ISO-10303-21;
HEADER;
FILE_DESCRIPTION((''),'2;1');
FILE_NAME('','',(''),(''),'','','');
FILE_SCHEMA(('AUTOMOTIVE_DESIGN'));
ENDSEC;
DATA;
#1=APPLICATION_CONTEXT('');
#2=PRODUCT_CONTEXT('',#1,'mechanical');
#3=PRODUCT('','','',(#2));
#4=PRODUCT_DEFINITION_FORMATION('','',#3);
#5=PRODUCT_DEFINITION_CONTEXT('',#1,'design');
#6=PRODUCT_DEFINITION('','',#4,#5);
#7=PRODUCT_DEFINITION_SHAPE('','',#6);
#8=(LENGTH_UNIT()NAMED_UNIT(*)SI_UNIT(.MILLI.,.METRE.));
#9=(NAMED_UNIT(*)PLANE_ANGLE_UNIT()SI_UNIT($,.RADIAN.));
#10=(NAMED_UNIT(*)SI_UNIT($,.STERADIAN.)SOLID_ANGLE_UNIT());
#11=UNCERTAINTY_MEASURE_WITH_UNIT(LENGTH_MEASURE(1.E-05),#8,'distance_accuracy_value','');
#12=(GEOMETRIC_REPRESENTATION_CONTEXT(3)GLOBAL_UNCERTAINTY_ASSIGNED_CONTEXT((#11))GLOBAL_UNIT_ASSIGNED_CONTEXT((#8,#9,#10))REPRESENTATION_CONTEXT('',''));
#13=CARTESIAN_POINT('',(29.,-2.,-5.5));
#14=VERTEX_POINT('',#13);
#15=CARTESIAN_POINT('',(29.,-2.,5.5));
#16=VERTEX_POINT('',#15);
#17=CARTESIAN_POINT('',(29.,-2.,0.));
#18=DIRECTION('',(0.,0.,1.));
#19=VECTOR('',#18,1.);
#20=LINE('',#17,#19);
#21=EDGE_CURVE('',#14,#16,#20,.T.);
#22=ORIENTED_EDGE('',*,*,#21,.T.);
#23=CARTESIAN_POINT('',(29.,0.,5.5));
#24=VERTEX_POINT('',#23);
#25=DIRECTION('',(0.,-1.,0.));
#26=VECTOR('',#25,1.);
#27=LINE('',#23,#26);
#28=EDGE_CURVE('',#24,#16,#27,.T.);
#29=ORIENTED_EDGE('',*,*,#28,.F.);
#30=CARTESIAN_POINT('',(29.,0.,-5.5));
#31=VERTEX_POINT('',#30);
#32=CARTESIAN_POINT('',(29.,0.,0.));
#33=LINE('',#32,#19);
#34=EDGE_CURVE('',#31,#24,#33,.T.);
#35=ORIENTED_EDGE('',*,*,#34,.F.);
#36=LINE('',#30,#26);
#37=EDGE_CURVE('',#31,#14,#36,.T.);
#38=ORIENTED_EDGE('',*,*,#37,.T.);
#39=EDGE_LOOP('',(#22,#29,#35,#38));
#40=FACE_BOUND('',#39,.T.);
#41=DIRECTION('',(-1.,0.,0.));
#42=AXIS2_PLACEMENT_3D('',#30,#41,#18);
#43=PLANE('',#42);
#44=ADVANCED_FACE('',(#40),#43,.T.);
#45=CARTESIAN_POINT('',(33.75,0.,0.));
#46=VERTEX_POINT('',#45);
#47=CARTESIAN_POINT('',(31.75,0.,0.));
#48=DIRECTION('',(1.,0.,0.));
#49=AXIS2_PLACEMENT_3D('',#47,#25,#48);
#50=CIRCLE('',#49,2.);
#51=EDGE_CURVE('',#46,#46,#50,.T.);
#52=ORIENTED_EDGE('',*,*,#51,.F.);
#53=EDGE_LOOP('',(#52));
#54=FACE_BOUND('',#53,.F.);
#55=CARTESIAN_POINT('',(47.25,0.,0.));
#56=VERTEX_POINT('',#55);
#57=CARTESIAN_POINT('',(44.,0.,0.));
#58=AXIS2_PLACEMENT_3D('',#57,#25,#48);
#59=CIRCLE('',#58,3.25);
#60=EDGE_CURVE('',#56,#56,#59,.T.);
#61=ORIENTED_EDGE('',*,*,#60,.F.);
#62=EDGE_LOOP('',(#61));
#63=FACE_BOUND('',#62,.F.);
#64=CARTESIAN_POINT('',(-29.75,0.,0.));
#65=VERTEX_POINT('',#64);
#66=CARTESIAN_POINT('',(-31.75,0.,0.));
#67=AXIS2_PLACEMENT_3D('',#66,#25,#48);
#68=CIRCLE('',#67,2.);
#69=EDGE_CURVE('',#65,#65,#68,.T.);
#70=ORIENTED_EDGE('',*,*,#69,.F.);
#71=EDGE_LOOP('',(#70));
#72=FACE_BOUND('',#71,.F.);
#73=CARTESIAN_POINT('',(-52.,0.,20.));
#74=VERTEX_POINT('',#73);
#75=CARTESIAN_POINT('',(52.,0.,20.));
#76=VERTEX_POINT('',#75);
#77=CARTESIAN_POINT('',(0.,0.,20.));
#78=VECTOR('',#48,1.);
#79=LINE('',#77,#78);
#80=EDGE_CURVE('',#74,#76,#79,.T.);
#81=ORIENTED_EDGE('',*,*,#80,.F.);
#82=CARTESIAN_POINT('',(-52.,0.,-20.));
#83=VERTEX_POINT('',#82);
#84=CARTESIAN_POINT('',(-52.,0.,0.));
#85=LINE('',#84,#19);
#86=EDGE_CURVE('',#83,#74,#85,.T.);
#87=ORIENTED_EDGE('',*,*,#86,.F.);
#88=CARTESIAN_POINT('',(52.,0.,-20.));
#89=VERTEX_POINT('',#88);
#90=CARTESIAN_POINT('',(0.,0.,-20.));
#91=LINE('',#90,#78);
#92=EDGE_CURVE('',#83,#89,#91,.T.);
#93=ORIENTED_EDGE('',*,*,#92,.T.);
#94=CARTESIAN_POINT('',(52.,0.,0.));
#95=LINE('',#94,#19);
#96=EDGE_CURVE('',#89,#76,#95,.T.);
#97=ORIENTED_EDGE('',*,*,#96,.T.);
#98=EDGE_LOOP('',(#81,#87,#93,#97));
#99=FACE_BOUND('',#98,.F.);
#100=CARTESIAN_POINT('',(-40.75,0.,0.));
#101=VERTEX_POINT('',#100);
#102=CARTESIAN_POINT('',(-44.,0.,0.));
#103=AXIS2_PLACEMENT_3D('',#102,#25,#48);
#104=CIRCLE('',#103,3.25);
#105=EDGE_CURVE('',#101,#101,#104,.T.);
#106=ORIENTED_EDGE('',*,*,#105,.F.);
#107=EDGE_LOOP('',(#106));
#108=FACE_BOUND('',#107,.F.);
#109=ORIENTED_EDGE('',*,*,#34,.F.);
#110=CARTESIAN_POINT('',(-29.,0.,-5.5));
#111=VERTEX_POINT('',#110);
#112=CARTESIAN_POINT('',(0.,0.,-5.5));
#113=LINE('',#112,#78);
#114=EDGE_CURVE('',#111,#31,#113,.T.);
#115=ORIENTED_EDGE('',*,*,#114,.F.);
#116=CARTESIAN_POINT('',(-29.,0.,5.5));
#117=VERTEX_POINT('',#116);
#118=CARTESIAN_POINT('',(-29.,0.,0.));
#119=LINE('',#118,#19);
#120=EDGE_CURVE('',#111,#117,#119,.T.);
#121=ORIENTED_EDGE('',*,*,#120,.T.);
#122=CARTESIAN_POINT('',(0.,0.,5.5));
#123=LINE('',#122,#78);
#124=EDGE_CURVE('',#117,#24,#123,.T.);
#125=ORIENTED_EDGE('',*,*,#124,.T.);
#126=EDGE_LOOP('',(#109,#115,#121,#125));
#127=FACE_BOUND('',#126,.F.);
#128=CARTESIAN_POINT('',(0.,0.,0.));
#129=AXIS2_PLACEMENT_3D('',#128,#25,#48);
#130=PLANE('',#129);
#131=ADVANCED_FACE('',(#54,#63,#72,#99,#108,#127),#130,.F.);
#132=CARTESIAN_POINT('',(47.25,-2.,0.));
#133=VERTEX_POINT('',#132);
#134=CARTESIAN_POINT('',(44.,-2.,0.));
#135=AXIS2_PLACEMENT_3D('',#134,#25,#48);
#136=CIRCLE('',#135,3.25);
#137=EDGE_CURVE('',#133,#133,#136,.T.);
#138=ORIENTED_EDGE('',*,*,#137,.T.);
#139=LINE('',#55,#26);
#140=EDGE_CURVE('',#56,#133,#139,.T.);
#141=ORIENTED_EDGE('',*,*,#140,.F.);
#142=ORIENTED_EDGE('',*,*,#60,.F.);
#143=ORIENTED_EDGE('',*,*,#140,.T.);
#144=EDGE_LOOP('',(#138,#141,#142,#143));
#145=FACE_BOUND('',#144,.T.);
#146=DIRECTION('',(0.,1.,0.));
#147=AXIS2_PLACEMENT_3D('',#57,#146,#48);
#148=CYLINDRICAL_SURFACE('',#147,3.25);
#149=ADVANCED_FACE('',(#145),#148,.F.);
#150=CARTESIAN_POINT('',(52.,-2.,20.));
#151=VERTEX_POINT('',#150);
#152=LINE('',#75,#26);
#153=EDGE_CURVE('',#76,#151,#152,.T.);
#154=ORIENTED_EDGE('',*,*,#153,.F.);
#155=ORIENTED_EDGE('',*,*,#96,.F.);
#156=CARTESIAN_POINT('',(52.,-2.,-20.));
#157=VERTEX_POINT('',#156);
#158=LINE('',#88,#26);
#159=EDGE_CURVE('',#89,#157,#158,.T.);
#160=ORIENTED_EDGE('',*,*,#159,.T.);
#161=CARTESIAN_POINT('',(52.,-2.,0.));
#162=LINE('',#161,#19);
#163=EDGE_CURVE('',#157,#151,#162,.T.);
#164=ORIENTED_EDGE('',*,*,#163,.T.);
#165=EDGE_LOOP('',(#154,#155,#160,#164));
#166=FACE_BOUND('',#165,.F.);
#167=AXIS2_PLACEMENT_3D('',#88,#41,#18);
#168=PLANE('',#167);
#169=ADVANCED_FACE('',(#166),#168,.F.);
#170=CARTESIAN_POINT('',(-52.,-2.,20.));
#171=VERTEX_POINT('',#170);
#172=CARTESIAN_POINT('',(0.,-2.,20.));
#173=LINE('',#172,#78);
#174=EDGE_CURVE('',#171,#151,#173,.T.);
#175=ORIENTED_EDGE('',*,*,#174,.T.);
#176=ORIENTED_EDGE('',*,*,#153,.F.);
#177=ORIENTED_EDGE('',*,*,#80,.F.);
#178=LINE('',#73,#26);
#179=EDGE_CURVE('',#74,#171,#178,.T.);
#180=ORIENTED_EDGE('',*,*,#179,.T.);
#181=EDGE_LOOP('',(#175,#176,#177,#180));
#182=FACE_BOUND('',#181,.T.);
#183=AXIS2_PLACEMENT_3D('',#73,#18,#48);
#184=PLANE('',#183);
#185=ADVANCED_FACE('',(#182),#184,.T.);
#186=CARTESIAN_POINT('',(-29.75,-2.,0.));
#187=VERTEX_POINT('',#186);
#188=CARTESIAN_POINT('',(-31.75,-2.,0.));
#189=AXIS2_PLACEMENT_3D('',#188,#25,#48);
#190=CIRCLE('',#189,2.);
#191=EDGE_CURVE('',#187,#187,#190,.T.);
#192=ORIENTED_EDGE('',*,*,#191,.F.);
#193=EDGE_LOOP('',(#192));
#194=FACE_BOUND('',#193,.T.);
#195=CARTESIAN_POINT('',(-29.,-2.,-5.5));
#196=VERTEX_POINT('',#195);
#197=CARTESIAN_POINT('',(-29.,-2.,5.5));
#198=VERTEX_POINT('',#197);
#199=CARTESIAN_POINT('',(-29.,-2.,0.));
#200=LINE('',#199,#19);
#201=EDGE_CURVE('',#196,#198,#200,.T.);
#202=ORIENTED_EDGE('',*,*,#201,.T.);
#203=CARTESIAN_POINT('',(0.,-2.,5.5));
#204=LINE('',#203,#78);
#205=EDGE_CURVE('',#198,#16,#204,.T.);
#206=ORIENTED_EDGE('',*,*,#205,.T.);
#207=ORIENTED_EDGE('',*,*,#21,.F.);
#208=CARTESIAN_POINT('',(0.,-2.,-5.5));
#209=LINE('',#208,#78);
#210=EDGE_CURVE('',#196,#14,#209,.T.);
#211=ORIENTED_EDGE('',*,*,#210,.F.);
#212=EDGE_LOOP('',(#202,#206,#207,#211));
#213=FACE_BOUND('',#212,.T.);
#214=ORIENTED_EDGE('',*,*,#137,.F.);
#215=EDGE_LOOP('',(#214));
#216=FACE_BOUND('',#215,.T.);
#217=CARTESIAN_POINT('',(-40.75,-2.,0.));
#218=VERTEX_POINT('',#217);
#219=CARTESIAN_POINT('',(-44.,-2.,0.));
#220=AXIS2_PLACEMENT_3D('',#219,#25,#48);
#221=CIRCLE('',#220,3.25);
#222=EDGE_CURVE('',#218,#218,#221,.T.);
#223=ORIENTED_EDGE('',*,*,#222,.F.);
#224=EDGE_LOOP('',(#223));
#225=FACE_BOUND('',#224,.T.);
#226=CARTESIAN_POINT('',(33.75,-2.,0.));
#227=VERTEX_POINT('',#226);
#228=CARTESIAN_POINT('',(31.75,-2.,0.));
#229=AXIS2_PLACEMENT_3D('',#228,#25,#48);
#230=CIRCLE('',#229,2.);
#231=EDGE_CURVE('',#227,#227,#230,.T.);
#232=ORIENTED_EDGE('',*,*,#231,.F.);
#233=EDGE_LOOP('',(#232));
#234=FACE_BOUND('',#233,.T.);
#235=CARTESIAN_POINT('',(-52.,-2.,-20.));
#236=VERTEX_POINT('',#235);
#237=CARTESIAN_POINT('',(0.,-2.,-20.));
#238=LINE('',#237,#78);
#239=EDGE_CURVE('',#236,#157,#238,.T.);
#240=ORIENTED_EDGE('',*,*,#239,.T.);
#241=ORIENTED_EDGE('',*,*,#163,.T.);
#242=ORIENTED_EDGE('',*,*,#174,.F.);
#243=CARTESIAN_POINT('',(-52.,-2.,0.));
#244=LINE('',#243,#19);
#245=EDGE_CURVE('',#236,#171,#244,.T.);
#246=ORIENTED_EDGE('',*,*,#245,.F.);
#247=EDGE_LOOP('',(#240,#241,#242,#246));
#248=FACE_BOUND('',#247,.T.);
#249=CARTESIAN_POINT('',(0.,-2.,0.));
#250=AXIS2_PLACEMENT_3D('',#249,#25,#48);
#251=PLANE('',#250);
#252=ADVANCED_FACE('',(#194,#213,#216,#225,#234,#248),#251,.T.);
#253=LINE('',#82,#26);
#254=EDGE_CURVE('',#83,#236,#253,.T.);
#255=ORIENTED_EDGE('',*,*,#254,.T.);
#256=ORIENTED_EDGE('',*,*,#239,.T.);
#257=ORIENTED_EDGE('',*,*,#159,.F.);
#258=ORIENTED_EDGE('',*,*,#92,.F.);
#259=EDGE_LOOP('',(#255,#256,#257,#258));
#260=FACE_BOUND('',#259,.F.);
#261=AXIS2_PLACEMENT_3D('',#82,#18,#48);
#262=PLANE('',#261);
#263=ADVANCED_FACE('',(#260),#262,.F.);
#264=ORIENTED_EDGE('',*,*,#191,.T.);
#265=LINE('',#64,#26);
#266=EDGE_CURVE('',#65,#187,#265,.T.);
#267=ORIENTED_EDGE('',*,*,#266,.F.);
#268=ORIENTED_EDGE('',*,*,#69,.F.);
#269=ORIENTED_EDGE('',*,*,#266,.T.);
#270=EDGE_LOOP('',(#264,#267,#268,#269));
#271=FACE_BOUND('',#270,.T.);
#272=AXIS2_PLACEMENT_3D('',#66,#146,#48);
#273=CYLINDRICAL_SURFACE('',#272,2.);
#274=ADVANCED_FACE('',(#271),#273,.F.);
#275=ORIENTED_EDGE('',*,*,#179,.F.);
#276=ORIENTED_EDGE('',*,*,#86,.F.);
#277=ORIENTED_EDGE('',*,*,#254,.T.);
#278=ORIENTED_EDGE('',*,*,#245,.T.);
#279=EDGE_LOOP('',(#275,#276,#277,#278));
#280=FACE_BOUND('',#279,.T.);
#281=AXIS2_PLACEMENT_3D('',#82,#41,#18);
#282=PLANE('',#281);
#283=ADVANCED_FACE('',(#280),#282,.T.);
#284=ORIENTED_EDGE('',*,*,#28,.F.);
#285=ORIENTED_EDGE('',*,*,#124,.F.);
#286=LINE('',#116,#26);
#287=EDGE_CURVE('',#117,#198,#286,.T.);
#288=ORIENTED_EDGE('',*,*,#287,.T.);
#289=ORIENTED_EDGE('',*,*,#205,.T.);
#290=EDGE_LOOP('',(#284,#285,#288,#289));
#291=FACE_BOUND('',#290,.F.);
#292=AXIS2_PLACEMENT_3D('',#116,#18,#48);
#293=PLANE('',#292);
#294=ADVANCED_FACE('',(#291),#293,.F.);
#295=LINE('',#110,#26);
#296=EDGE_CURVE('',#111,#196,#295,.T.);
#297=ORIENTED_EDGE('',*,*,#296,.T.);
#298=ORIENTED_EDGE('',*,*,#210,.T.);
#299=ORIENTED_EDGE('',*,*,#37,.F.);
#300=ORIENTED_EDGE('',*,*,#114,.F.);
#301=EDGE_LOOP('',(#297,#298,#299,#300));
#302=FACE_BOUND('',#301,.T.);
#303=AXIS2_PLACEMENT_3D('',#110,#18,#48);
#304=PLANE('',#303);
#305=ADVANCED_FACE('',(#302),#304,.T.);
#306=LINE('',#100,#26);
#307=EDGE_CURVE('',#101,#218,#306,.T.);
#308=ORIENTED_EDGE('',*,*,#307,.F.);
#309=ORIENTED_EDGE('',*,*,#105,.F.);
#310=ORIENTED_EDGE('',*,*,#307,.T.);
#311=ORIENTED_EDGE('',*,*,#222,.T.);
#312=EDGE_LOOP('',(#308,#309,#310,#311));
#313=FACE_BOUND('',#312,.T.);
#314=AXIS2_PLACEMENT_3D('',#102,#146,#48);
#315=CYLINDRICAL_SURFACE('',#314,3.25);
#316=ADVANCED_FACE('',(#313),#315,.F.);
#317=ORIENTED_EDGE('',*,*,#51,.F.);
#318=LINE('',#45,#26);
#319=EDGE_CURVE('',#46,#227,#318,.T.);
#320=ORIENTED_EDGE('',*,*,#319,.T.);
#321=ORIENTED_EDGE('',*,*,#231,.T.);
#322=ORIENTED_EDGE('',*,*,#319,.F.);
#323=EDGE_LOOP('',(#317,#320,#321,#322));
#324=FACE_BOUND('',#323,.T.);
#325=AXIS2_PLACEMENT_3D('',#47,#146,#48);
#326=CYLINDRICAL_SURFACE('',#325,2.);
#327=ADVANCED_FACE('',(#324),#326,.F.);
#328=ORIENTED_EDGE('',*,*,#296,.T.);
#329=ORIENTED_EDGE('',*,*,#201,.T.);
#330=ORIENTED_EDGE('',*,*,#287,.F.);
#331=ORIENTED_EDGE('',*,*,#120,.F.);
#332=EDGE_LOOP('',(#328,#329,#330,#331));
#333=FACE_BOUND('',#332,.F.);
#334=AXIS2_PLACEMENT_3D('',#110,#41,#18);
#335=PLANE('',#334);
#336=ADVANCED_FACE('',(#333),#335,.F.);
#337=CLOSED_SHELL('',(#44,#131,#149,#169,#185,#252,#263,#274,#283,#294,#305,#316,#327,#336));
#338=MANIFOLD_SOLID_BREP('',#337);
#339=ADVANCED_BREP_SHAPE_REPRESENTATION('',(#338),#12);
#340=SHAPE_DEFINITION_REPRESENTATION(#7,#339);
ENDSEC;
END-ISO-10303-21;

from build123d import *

# Parameters (mm, degrees)
F0_W     = 104
F0_H     = 40
F0_R     = 3.25
F0_R_2   = 2
F0_W_2   = 58
F0_H_2   = 11
F1_DEPTH = 2


with BuildPart() as f1:
    # F0 (on Front) → F1 (new body)
    with BuildSketch(Plane.XZ):
        Rectangle(F0_W, F0_H)
        with Locations((-44, 0)):
            Circle(F0_R, mode=Mode.SUBTRACT)
        with Locations((-31.75, 0)):
            Circle(F0_R_2, mode=Mode.SUBTRACT)
        Rectangle(F0_W_2, F0_H_2, mode=Mode.SUBTRACT)
        with Locations((31.75, 0)):
            Circle(F0_R_2, mode=Mode.SUBTRACT)
        with Locations((44, 0)):
            Circle(F0_R, mode=Mode.SUBTRACT)
    extrude(amount=F1_DEPTH)


solid = f1.part
